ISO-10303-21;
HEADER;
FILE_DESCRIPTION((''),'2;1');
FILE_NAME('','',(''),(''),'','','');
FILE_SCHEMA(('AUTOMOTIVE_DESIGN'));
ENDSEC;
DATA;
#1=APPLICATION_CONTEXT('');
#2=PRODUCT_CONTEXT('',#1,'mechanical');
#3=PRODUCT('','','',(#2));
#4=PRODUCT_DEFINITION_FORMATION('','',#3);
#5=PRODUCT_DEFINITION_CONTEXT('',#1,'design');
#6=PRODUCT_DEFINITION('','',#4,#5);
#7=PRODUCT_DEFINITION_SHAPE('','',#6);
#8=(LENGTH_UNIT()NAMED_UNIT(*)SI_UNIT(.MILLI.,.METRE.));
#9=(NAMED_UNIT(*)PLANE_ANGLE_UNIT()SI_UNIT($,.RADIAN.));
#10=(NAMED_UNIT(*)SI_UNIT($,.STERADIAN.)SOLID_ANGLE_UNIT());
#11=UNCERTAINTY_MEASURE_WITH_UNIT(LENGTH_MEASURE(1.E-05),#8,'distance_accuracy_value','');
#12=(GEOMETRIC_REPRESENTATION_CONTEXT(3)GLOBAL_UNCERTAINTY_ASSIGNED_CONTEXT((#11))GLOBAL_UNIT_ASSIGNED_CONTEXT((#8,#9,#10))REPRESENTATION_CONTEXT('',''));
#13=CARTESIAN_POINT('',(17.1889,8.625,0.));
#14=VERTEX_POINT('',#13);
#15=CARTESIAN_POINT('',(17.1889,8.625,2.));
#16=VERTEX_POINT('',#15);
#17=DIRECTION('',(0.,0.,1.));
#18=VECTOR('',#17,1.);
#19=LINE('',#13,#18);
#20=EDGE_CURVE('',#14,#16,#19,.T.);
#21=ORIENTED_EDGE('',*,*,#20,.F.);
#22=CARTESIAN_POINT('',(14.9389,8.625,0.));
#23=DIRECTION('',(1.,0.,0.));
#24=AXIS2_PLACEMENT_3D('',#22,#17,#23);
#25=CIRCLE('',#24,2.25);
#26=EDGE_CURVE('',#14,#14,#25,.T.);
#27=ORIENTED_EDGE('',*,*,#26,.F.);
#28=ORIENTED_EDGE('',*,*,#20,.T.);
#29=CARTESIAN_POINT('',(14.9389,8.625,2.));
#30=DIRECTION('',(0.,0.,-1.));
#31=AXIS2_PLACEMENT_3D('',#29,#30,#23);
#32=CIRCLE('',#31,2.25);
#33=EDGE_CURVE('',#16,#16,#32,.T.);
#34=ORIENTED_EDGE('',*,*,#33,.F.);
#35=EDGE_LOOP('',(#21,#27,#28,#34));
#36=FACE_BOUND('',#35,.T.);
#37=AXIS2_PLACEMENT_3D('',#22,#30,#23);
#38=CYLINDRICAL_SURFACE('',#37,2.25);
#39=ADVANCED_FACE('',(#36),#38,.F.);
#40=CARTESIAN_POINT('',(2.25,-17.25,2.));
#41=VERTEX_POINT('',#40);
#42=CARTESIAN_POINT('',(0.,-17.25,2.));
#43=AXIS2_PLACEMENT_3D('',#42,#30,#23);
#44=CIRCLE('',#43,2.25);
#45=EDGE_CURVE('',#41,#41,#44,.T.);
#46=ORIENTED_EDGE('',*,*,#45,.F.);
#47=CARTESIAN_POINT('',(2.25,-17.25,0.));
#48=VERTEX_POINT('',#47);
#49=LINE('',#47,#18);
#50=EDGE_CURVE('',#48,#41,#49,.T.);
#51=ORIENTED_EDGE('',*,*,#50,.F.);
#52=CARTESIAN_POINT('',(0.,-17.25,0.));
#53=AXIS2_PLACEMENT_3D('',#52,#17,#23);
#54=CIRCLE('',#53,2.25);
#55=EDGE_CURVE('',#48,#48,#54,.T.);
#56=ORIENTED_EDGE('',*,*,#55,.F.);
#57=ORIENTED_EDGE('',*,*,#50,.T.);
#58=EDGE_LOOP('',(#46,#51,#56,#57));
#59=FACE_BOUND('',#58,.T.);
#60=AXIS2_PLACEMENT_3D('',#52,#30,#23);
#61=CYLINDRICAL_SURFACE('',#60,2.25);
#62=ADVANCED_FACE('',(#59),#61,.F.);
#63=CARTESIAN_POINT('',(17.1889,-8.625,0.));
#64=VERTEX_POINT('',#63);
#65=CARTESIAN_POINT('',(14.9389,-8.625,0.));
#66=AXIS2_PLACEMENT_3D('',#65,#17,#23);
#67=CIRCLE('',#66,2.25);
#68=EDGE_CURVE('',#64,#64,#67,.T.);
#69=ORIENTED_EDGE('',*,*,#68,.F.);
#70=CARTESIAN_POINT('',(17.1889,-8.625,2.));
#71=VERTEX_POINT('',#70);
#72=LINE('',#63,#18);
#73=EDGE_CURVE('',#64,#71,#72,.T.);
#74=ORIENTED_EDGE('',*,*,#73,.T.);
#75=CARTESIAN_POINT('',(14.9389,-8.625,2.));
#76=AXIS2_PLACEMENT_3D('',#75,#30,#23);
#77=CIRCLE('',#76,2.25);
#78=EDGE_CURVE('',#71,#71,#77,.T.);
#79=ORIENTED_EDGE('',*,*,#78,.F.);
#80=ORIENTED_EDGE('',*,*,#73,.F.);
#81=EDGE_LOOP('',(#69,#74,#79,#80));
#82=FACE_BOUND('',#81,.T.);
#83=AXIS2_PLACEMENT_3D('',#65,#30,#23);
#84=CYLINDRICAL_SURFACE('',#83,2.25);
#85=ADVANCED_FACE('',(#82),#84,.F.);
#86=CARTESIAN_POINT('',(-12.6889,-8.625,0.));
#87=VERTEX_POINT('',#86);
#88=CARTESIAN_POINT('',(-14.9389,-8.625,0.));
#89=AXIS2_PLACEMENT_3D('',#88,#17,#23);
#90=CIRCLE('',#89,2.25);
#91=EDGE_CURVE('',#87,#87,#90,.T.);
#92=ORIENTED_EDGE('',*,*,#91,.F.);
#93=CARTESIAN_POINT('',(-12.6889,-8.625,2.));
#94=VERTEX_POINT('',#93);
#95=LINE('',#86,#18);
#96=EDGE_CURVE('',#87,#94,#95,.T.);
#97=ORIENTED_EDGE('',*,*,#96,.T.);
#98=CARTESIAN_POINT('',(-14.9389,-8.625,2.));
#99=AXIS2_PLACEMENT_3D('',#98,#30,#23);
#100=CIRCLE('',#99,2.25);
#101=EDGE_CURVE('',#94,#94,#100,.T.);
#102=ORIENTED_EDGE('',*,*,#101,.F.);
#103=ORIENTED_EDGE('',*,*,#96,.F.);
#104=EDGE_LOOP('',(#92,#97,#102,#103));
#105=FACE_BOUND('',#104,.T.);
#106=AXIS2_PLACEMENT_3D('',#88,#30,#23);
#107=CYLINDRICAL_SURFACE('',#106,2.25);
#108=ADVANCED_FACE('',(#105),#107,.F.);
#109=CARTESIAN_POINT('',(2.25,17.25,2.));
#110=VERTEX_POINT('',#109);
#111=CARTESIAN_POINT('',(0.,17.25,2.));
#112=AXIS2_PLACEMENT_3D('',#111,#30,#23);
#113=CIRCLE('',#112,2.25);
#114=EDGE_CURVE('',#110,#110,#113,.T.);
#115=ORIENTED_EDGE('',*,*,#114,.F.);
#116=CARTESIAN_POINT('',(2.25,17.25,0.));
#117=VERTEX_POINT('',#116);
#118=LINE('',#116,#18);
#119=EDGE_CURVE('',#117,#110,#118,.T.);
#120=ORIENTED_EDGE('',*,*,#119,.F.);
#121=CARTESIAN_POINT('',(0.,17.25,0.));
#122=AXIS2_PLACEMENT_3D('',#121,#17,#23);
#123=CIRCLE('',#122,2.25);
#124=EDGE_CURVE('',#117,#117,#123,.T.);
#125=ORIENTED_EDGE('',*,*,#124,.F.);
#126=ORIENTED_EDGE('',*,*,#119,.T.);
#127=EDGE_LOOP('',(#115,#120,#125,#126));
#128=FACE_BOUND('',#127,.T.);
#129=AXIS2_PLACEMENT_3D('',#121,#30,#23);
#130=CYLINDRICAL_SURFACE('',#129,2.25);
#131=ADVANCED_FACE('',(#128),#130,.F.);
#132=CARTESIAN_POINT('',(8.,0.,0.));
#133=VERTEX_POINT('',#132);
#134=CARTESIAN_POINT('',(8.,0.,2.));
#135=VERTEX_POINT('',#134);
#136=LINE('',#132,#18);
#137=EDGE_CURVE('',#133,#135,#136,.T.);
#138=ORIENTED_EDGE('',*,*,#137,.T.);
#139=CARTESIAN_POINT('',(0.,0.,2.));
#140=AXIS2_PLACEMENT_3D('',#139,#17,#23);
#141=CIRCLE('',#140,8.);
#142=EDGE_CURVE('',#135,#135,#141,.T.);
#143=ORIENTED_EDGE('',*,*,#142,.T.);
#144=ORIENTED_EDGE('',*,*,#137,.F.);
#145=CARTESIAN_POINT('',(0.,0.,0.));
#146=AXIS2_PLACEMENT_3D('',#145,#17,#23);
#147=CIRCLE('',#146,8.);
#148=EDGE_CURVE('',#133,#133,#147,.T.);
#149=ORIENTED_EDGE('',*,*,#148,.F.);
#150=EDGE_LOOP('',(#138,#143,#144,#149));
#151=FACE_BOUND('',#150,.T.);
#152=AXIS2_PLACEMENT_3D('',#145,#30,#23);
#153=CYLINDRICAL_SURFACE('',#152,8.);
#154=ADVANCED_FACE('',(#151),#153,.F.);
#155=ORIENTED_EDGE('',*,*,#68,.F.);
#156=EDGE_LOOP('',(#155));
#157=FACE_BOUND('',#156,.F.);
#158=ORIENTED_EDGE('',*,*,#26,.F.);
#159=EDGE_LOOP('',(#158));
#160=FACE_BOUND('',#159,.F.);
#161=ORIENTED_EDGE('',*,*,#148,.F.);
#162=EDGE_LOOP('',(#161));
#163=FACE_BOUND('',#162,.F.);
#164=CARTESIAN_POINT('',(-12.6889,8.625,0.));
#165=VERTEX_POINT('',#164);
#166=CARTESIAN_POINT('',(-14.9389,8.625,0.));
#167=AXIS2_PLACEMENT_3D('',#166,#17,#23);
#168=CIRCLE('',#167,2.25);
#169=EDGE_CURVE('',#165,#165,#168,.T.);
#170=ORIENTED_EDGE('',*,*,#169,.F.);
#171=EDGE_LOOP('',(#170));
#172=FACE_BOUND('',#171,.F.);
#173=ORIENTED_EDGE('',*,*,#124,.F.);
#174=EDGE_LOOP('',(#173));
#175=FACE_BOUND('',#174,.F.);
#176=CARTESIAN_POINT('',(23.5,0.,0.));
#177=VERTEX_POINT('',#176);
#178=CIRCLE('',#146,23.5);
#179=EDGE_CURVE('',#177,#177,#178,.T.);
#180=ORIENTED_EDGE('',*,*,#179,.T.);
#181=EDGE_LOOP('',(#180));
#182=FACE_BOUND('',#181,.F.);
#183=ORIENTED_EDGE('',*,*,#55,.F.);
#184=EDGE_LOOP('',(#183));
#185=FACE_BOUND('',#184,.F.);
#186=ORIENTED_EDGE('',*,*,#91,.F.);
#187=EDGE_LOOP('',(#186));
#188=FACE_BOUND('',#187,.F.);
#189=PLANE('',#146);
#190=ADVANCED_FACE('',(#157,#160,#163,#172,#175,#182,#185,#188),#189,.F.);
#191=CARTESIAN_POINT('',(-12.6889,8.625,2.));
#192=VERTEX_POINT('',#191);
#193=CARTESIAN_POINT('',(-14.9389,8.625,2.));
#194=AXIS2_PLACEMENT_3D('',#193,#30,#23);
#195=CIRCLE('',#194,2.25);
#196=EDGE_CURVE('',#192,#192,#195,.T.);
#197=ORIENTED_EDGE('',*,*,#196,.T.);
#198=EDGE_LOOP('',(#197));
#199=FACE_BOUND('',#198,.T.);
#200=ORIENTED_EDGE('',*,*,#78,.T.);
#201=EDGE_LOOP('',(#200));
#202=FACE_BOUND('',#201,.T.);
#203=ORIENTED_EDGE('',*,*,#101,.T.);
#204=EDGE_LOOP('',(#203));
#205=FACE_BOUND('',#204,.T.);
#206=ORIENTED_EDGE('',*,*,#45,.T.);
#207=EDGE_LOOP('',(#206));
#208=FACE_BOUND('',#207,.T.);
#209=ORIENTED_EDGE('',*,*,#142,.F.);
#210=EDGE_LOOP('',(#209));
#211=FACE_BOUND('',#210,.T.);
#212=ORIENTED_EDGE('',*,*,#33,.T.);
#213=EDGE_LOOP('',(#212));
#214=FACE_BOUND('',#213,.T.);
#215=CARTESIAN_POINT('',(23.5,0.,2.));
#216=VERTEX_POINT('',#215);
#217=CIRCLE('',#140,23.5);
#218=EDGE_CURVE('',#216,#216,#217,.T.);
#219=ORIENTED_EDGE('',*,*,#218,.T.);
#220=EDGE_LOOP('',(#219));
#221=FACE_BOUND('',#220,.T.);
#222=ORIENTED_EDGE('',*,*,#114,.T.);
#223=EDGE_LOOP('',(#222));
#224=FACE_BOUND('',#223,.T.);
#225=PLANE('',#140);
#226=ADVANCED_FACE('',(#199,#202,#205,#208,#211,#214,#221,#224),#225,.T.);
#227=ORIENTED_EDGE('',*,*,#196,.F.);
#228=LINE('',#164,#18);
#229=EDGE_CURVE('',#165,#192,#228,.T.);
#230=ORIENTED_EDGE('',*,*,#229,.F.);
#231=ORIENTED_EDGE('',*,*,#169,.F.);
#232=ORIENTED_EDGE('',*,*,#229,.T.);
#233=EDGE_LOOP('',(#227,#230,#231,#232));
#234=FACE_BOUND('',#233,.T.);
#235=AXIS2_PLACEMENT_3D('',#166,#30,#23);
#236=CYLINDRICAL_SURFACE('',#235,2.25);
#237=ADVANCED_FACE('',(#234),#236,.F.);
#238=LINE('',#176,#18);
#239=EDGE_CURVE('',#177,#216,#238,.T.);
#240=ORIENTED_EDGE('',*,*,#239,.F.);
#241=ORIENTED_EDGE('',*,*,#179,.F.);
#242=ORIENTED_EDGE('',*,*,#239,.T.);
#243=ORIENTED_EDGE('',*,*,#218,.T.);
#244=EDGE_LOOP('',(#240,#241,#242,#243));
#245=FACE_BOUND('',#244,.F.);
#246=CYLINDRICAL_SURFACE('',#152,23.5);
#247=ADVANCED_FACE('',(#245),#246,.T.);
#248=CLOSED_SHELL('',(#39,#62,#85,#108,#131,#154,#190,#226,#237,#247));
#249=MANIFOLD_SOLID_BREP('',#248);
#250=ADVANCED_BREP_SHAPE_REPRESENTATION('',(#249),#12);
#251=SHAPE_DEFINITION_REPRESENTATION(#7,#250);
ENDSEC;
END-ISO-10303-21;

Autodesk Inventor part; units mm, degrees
ref_plane "YZ Plane" through (0, 0, 0) normal (1, 0, 0) x (0, 1, 0)
ref_plane "XZ Plane" through (0, 0, 0) normal (0, 1, 0) x (-1, 0, 0)
ref_plane "XY Plane" through (0, 0, 0) normal (0, 0, 1) x (1, 0, 0)
sketch "Sketch1" plane through (0, 0, 0) normal (0, 0, 1) x (1, 0, 0)
  circle A0 centre (0, 0) radius 23.5
  circle A1 centre (0, 0) radius 17.25
  circle A2 centre (0, 17.25) radius 2.25
  circle A3 centre (-14.9389, 8.625) radius 2.25
  circle A4 centre (-14.9389, -8.625) radius 2.25
  circle A5 centre (0, -17.25) radius 2.25
  circle A6 centre (14.9389, -8.625) radius 2.25
  circle A7 centre (14.9389, 8.625) radius 2.25
  circle A8 centre (0, 0) radius 8
  dimension "d1" = 34.5
  dimension "d0" = 47
  dimension "d2" = 4.5
  dimension "d5" = 360
  dimension "d7" = 16
extrude "Extrusion1" add sketch "Sketch1" along normal blind 2 contours A0 | A1 A6 A5 A4 A3 A2 A7
properties part number "rotor_hub_retainer"
